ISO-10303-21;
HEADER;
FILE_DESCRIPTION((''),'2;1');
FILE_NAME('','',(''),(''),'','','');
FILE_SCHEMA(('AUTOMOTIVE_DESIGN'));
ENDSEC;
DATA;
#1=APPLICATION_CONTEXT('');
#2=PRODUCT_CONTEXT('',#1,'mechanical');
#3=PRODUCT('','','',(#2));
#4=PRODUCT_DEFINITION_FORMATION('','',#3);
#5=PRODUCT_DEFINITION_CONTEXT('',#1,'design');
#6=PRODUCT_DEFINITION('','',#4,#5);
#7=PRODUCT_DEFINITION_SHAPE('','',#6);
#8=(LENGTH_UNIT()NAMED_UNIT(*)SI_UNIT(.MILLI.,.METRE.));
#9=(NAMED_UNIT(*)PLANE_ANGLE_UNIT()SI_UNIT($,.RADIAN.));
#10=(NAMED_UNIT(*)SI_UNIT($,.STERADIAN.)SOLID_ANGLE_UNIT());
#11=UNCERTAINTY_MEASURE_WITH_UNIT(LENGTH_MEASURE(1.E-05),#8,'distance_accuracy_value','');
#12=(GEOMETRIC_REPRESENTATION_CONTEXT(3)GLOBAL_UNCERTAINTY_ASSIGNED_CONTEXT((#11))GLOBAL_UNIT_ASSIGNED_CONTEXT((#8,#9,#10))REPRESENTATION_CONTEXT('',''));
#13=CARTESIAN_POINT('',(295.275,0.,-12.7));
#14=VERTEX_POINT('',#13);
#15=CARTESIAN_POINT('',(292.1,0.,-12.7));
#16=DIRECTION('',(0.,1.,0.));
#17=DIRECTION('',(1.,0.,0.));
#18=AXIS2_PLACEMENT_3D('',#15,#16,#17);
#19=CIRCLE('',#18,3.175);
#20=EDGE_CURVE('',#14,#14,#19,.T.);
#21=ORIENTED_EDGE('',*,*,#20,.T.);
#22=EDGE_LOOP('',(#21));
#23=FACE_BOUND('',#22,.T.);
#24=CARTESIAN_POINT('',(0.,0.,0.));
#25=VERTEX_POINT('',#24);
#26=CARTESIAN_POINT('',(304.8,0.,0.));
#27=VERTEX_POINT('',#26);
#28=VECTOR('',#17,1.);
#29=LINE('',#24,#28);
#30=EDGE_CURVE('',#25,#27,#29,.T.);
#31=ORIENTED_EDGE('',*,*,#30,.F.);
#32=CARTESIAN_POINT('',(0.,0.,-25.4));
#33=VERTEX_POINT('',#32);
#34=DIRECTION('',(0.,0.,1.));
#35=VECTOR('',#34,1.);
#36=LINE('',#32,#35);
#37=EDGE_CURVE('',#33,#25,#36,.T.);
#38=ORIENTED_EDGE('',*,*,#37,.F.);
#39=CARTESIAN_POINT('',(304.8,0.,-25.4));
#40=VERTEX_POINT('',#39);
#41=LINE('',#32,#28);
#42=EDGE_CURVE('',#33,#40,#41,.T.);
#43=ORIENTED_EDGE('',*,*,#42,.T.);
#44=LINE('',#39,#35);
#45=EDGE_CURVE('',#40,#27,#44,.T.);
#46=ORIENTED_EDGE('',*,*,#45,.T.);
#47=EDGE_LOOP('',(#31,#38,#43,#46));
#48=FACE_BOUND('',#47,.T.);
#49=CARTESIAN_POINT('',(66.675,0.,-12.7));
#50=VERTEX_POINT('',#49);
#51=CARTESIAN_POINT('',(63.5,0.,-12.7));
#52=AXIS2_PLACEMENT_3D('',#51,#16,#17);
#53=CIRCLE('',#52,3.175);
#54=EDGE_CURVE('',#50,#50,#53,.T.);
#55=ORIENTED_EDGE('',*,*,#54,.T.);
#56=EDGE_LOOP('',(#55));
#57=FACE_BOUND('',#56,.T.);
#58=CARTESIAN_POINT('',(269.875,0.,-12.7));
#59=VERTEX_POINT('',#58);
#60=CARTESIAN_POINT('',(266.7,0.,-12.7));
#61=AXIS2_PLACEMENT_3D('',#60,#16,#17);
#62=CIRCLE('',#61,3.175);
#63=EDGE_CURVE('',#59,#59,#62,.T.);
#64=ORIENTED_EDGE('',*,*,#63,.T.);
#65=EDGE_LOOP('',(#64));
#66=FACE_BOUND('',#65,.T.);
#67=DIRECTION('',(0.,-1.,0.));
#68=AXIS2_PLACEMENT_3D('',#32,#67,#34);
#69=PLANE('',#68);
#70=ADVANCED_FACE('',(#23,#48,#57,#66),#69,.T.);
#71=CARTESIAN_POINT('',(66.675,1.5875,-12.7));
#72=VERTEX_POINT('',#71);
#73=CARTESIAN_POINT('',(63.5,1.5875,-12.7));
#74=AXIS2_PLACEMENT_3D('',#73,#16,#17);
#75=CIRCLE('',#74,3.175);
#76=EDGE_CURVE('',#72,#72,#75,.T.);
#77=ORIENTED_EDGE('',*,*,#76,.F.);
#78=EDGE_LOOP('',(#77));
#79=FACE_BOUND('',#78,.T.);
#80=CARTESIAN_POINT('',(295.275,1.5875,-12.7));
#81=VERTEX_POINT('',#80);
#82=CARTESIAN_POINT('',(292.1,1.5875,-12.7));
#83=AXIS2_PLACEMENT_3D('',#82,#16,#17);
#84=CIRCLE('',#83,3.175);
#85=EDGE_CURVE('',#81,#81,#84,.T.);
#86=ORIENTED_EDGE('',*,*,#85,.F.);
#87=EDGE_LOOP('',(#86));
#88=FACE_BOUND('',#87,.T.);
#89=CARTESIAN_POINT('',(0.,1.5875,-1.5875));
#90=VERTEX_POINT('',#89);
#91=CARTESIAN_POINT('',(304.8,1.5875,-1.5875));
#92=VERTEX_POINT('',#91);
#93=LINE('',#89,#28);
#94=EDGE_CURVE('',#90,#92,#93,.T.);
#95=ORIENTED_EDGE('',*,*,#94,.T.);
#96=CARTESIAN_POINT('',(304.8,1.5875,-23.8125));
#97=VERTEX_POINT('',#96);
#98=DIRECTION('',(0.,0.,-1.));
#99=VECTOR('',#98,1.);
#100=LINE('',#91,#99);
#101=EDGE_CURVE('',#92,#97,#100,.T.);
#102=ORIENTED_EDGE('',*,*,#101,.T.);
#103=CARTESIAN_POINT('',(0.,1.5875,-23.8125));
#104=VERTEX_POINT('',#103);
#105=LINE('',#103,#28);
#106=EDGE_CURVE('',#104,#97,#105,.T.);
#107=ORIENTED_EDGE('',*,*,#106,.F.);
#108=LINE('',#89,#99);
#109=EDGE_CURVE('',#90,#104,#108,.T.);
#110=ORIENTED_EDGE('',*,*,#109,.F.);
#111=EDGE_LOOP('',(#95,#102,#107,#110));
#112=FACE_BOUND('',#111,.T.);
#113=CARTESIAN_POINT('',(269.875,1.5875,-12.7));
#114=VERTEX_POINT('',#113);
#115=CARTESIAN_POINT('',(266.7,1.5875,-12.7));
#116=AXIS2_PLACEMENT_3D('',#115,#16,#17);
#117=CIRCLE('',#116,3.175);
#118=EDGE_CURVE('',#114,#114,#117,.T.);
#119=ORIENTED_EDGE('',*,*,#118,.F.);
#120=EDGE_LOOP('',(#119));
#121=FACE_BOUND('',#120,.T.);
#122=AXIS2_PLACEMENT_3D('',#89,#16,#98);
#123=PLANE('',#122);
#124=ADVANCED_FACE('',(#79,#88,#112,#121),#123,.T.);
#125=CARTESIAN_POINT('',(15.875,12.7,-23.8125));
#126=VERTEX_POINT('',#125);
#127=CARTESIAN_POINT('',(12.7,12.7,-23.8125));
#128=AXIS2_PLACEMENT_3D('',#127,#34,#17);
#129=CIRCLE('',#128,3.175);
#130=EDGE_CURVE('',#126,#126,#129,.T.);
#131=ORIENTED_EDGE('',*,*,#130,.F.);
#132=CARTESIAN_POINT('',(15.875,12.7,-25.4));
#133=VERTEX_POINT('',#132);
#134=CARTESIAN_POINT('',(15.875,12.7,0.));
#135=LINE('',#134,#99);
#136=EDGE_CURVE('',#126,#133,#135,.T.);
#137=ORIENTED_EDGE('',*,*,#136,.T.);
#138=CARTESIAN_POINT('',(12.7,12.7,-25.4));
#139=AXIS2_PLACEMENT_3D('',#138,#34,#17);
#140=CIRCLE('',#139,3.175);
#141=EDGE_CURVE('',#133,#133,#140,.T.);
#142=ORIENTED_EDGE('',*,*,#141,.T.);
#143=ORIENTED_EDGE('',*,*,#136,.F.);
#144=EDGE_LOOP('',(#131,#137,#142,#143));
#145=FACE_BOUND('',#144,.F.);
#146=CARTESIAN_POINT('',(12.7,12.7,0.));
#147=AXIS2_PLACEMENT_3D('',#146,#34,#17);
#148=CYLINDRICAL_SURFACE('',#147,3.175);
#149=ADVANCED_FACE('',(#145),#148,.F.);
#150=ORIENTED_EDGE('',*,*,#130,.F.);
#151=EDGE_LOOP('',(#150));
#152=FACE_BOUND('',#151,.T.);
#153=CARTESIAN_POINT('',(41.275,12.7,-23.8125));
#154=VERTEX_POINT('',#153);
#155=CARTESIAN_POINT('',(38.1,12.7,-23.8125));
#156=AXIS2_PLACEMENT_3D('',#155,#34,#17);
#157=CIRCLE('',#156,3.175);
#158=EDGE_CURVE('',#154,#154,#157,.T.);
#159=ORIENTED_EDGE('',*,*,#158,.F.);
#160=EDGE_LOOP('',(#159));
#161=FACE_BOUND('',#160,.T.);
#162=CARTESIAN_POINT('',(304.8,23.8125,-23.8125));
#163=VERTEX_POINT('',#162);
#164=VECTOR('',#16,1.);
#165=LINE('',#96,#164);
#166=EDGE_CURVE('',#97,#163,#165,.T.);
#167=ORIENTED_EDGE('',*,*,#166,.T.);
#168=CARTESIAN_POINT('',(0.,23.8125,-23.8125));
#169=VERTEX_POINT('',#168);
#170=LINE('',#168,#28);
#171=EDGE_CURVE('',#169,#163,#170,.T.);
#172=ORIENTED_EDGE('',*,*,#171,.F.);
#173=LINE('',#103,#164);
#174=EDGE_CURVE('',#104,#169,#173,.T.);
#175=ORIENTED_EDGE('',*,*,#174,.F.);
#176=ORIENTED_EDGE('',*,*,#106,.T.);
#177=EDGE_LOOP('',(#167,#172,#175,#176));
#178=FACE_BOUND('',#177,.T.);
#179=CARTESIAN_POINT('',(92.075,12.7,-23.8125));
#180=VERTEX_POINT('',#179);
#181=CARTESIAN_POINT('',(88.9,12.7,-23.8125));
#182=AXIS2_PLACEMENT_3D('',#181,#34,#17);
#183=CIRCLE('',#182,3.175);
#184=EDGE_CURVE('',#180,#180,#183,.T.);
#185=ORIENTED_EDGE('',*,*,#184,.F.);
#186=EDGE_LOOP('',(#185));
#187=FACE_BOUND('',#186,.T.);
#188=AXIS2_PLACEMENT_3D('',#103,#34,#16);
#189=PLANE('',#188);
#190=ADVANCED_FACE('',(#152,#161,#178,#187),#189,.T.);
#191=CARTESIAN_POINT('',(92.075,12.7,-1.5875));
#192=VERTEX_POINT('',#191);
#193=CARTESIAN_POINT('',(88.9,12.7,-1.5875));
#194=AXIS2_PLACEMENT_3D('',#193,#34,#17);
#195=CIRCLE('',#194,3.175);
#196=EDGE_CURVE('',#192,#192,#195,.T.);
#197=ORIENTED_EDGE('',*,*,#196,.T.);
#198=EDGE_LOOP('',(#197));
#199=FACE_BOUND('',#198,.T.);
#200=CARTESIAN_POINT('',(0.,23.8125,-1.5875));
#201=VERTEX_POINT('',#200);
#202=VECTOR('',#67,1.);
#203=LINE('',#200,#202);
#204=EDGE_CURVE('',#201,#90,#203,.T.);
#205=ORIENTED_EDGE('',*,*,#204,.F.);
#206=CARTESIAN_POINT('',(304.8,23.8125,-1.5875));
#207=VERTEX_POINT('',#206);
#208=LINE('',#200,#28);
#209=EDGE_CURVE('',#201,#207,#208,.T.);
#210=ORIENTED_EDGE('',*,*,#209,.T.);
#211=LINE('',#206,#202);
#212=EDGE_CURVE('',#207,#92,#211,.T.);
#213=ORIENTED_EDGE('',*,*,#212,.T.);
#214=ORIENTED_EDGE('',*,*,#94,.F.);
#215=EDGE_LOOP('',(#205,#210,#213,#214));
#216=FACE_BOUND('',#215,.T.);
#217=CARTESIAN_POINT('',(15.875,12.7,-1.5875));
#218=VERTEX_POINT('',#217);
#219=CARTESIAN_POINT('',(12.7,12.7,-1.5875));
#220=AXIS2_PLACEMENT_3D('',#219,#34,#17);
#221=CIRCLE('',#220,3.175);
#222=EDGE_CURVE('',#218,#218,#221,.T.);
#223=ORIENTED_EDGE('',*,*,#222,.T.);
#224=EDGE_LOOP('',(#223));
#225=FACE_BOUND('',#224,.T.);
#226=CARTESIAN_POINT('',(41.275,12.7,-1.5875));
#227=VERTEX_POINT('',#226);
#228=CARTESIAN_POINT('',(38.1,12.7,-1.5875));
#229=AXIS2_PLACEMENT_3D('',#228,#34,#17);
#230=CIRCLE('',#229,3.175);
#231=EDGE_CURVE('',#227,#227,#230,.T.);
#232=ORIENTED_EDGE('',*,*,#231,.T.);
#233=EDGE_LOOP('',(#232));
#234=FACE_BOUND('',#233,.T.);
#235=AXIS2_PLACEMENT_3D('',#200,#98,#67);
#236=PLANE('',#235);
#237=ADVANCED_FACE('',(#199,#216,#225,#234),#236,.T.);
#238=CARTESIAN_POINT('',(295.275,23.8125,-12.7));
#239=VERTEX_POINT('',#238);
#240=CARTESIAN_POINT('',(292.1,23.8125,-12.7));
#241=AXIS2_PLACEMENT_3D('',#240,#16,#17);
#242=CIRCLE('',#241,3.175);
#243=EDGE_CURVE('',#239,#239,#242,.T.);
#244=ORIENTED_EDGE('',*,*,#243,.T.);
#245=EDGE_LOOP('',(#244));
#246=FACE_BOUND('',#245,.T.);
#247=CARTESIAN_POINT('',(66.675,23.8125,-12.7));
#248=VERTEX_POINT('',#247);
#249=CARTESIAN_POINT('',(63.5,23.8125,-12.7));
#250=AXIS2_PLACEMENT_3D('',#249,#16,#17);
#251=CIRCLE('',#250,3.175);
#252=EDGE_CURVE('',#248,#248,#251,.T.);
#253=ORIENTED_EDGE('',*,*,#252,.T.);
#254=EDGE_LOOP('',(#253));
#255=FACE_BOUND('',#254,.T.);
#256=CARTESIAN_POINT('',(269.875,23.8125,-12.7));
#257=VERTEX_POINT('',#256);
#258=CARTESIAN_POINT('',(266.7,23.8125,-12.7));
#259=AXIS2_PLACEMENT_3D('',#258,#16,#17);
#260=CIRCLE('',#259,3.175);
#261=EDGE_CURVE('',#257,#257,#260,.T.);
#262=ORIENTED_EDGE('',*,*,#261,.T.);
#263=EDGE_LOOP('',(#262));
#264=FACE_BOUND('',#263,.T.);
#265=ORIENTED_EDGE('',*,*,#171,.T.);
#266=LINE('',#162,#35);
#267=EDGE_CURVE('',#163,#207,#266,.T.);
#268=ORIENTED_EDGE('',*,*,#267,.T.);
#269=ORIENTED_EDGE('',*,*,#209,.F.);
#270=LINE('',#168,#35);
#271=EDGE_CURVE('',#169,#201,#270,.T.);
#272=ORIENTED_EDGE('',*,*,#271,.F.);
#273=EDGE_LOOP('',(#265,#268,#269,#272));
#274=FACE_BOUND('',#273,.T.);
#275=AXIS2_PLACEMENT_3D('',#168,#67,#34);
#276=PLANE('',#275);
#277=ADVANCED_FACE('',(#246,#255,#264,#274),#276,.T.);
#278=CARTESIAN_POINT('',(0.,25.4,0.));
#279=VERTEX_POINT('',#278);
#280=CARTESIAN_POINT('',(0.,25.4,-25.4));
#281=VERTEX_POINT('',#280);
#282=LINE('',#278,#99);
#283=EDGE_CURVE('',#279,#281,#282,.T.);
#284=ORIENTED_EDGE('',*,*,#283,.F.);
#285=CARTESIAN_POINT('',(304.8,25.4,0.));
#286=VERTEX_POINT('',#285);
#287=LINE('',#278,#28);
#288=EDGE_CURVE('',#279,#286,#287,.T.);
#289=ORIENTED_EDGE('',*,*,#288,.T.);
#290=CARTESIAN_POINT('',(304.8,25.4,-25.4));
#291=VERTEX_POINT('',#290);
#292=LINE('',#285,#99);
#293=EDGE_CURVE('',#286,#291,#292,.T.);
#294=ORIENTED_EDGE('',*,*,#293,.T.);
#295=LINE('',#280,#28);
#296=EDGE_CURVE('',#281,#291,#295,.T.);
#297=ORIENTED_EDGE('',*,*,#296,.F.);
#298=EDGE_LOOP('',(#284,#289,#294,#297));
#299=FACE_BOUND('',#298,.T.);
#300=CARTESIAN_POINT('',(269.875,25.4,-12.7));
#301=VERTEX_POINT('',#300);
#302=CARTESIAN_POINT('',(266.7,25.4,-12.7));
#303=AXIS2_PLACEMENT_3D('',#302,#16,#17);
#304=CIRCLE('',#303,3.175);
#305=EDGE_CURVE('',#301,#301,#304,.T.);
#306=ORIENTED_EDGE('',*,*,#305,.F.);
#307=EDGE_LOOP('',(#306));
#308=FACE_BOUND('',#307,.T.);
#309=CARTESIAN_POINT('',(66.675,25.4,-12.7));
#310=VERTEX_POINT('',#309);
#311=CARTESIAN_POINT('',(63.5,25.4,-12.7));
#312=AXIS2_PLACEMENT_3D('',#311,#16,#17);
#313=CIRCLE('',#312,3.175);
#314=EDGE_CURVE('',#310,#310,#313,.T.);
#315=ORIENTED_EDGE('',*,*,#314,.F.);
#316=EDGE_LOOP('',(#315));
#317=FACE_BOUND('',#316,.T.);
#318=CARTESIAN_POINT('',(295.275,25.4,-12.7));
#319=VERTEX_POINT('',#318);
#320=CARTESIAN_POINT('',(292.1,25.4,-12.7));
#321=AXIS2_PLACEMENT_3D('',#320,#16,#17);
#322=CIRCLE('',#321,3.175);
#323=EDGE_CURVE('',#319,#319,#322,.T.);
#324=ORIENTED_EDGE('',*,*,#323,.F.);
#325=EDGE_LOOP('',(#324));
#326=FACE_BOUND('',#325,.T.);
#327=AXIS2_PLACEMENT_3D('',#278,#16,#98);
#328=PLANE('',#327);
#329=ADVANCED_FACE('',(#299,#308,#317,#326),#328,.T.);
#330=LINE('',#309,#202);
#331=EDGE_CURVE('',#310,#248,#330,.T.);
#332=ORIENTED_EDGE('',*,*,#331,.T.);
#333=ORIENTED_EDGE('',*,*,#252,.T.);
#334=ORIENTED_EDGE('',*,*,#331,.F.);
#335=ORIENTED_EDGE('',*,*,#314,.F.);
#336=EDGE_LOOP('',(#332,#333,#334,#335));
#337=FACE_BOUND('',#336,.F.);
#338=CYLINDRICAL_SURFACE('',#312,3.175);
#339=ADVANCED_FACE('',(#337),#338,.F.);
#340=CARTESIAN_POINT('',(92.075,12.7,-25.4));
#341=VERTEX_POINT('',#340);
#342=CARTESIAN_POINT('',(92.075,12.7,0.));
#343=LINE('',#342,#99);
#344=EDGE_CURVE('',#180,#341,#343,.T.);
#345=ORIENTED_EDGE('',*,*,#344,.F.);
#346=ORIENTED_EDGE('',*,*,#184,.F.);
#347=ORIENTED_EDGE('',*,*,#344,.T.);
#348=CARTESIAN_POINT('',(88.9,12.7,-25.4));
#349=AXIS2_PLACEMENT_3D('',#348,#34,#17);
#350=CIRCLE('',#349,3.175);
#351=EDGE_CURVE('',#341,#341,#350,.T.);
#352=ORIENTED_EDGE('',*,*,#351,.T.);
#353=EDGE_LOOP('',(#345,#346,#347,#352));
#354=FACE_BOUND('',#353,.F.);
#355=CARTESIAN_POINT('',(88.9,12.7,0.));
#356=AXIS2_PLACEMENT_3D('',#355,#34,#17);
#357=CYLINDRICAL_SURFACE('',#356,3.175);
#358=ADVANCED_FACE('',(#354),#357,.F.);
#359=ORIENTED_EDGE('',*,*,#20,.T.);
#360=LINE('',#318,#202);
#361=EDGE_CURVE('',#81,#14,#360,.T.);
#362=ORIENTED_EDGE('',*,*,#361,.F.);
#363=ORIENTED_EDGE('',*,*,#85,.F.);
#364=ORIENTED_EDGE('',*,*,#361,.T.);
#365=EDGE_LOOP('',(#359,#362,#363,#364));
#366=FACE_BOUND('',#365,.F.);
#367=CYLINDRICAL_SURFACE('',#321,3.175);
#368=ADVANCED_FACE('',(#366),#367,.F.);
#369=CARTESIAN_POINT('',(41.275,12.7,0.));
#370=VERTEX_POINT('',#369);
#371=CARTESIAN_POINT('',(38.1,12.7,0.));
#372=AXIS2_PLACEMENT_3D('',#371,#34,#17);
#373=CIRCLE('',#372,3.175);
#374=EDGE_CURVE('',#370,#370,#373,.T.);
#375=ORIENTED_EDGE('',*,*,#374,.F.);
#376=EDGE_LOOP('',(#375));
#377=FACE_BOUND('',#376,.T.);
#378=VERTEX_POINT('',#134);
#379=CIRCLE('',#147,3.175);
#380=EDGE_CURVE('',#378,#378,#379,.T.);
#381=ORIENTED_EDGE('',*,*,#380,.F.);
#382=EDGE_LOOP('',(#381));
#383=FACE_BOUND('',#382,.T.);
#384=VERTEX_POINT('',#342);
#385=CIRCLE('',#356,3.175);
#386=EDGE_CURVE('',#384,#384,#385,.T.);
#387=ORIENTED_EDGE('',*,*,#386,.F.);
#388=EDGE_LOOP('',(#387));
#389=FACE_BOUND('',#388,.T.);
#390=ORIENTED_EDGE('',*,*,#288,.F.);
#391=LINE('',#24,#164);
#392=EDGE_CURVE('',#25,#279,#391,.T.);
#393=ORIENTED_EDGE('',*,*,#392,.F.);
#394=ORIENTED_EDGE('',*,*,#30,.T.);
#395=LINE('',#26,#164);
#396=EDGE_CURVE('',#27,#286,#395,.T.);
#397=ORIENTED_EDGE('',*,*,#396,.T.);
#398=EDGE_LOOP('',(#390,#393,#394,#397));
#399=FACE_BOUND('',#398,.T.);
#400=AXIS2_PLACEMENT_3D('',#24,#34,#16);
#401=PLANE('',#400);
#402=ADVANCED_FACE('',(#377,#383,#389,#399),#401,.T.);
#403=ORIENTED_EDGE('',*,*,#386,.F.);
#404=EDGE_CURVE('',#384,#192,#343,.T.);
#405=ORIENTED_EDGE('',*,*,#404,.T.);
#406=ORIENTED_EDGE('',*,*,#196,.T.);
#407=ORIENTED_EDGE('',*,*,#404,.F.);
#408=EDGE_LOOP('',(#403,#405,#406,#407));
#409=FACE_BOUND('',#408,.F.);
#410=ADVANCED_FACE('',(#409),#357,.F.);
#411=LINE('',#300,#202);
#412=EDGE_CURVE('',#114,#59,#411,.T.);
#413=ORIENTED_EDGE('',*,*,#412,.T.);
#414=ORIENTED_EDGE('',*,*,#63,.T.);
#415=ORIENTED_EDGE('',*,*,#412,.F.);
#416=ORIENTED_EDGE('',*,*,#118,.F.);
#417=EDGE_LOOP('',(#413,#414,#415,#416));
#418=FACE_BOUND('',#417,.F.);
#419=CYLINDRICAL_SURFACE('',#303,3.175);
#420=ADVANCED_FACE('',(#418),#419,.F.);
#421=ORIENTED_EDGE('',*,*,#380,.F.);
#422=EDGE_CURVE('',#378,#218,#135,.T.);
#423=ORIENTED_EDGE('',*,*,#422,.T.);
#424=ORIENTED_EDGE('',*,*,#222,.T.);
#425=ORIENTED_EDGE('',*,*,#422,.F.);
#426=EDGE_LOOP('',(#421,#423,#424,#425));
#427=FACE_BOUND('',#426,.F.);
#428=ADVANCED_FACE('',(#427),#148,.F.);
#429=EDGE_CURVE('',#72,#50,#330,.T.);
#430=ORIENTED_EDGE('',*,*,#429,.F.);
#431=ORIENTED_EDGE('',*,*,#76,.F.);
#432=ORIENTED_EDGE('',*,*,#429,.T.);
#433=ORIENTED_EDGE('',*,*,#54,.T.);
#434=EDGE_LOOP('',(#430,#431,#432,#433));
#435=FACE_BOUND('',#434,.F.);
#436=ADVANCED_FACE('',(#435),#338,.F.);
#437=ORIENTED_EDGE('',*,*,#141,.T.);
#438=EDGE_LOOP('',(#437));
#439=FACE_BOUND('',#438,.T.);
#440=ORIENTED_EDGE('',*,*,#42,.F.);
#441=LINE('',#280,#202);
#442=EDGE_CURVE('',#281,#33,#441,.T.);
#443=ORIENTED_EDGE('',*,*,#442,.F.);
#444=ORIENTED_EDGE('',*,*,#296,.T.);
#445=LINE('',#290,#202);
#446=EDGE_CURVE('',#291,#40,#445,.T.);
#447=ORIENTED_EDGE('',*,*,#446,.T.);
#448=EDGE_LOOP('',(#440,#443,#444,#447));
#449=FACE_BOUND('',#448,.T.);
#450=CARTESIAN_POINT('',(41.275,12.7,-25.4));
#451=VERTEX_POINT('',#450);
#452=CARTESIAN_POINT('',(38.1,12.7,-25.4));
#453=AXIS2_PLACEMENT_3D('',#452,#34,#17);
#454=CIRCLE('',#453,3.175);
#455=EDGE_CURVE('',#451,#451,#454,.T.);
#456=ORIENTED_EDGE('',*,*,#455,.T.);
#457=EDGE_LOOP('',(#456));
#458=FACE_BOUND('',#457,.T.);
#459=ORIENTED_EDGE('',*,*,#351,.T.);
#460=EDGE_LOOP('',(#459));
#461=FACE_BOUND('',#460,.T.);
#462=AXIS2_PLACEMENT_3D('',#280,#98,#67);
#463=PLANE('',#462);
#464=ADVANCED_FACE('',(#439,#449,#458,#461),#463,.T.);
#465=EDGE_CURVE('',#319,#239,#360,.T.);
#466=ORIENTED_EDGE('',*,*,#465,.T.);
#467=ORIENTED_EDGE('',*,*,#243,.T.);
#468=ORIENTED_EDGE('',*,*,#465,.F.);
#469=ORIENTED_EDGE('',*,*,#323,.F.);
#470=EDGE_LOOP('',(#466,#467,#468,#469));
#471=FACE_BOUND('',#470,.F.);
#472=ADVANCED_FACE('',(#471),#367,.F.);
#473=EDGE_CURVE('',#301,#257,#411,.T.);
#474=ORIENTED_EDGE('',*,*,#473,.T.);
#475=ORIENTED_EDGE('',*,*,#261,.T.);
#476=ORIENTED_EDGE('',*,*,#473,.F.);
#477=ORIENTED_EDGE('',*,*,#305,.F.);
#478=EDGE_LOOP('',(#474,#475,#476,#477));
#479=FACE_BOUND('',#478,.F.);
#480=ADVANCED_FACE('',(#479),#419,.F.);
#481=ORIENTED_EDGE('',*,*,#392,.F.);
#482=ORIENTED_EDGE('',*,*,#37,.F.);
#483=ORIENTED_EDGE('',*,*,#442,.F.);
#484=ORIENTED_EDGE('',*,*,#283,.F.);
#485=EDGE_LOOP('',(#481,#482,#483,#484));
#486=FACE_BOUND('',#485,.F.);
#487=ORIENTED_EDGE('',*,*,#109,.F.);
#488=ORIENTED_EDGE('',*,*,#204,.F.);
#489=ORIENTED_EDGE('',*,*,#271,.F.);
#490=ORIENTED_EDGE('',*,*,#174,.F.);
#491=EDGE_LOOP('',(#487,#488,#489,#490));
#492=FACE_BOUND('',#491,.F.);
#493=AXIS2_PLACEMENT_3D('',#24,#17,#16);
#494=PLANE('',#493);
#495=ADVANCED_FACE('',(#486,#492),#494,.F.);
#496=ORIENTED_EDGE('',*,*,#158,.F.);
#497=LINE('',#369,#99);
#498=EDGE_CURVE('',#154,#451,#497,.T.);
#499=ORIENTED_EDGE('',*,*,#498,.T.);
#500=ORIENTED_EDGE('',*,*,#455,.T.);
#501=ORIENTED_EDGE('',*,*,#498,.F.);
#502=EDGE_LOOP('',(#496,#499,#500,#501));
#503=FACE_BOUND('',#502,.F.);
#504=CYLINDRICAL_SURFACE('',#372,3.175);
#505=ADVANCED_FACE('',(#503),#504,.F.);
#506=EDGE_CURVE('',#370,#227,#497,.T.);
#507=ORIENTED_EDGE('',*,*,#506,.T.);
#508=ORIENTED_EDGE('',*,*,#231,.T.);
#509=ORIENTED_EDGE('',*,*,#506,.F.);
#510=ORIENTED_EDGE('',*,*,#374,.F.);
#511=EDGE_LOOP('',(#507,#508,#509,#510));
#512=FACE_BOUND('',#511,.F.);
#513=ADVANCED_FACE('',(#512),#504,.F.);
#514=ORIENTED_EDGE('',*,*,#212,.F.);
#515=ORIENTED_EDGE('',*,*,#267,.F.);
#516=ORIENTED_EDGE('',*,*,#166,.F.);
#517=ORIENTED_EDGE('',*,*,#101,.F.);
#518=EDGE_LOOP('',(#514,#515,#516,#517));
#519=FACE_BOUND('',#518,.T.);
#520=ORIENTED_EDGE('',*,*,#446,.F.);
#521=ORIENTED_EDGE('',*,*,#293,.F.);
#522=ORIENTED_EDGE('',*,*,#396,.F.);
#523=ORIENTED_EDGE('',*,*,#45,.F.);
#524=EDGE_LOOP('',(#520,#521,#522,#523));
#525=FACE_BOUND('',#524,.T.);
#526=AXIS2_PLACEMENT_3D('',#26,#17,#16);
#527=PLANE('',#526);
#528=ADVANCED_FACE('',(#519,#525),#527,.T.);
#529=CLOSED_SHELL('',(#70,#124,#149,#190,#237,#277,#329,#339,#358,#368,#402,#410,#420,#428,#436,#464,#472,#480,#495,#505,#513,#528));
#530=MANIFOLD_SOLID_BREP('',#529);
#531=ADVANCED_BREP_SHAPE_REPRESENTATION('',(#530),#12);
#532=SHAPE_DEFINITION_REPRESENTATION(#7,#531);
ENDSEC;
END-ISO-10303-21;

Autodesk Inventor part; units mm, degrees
ref_plane "YZ Plane" through (0, 0, 0) normal (1, 0, 0) x (0, 1, 0)
ref_plane "XZ Plane" through (0, 0, 0) normal (0, 1, 0) x (-1, 0, 0)
ref_plane "XY Plane" through (0, 0, 0) normal (0, 0, 1) x (1, 0, 0)
sketch "Sketch1" plane through (0, 0, 0) normal (1, 0, 0) x (0, 1, 0)
  line L0 (0, 0) -> (25.4, 0)
  line L1 (25.4, 0) -> (25.4, -25.4)
  line L2 (25.4, -25.4) -> (0, -25.4)
  line L3 (0, -25.4) -> (0, 0)
  line L4 (23.8125, -23.8125) -> (23.8125, -1.5875)
  line L5 (23.8125, -1.5875) -> (1.5875, -1.5875)
  line L6 (1.5875, -1.5875) -> (1.5875, -23.8125)
  line L7 (1.5875, -23.8125) -> (23.8125, -23.8125)
  dimension "d0" = 25.4
  dimension "d1" = 25.4
  dimension "d2" = 1.5875
extrude "Extrusion1" add sketch "Sketch1" along normal blind 304.8
sketch "Sketch2" plane through (0, 25.4, 0) normal (0, 1, 0) x (1, 0, 0)
  line L0 (304.8, 1.5875) -> (304.8, 23.8125) projected
  line L1 (304.8, 12.7) -> (279.4, 12.7) construction
  circle A0 centre (292.1, 12.7) radius 3.175
  line L2 (304.8, 25.4) -> (304.8, 0) projected
  circle A1 centre (266.7, 12.7) radius 3.175
  circle A2 centre (63.5, 12.7) radius 3.175
  line L3 (0, 0) -> (0, 25.4) projected
  dimension "d5" = 6.35
  dimension "d6" = 12.7
  dimension "d9" = 38.1
  dimension "d15" = 63.5
extrude "Extrusion2" cut sketch "Sketch2" against normal blind 25.4
sketch "Sketch3" plane through (0, 0, 0) normal (0, 0, 1) x (1, 0, 0)
  line L0 (0, 0) -> (0, 25.4) projected
  line L1 (0, 12.7) -> (67.237, 12.7) construction
  circle A0 centre (12.7, 12.7) radius 3.175
  circle A1 centre (38.1, 12.7) radius 3.175
  circle A2 centre (88.9, 12.7) radius 3.175
  dimension "d10" = 6.35
  dimension "d11" = 12.7
  dimension "d12" = 38.1
  dimension "d16" = 88.9
extrude "Extrusion3" cut sketch "Sketch3" against normal blind 88.9
sketch "Sketch4" plane through (0, 25.4, 0) normal (0, 1, 0) x (1, 0, 0)
  point P0 (0, 0)
equation "\"d13\" = d16"
properties part number "Vertical"
